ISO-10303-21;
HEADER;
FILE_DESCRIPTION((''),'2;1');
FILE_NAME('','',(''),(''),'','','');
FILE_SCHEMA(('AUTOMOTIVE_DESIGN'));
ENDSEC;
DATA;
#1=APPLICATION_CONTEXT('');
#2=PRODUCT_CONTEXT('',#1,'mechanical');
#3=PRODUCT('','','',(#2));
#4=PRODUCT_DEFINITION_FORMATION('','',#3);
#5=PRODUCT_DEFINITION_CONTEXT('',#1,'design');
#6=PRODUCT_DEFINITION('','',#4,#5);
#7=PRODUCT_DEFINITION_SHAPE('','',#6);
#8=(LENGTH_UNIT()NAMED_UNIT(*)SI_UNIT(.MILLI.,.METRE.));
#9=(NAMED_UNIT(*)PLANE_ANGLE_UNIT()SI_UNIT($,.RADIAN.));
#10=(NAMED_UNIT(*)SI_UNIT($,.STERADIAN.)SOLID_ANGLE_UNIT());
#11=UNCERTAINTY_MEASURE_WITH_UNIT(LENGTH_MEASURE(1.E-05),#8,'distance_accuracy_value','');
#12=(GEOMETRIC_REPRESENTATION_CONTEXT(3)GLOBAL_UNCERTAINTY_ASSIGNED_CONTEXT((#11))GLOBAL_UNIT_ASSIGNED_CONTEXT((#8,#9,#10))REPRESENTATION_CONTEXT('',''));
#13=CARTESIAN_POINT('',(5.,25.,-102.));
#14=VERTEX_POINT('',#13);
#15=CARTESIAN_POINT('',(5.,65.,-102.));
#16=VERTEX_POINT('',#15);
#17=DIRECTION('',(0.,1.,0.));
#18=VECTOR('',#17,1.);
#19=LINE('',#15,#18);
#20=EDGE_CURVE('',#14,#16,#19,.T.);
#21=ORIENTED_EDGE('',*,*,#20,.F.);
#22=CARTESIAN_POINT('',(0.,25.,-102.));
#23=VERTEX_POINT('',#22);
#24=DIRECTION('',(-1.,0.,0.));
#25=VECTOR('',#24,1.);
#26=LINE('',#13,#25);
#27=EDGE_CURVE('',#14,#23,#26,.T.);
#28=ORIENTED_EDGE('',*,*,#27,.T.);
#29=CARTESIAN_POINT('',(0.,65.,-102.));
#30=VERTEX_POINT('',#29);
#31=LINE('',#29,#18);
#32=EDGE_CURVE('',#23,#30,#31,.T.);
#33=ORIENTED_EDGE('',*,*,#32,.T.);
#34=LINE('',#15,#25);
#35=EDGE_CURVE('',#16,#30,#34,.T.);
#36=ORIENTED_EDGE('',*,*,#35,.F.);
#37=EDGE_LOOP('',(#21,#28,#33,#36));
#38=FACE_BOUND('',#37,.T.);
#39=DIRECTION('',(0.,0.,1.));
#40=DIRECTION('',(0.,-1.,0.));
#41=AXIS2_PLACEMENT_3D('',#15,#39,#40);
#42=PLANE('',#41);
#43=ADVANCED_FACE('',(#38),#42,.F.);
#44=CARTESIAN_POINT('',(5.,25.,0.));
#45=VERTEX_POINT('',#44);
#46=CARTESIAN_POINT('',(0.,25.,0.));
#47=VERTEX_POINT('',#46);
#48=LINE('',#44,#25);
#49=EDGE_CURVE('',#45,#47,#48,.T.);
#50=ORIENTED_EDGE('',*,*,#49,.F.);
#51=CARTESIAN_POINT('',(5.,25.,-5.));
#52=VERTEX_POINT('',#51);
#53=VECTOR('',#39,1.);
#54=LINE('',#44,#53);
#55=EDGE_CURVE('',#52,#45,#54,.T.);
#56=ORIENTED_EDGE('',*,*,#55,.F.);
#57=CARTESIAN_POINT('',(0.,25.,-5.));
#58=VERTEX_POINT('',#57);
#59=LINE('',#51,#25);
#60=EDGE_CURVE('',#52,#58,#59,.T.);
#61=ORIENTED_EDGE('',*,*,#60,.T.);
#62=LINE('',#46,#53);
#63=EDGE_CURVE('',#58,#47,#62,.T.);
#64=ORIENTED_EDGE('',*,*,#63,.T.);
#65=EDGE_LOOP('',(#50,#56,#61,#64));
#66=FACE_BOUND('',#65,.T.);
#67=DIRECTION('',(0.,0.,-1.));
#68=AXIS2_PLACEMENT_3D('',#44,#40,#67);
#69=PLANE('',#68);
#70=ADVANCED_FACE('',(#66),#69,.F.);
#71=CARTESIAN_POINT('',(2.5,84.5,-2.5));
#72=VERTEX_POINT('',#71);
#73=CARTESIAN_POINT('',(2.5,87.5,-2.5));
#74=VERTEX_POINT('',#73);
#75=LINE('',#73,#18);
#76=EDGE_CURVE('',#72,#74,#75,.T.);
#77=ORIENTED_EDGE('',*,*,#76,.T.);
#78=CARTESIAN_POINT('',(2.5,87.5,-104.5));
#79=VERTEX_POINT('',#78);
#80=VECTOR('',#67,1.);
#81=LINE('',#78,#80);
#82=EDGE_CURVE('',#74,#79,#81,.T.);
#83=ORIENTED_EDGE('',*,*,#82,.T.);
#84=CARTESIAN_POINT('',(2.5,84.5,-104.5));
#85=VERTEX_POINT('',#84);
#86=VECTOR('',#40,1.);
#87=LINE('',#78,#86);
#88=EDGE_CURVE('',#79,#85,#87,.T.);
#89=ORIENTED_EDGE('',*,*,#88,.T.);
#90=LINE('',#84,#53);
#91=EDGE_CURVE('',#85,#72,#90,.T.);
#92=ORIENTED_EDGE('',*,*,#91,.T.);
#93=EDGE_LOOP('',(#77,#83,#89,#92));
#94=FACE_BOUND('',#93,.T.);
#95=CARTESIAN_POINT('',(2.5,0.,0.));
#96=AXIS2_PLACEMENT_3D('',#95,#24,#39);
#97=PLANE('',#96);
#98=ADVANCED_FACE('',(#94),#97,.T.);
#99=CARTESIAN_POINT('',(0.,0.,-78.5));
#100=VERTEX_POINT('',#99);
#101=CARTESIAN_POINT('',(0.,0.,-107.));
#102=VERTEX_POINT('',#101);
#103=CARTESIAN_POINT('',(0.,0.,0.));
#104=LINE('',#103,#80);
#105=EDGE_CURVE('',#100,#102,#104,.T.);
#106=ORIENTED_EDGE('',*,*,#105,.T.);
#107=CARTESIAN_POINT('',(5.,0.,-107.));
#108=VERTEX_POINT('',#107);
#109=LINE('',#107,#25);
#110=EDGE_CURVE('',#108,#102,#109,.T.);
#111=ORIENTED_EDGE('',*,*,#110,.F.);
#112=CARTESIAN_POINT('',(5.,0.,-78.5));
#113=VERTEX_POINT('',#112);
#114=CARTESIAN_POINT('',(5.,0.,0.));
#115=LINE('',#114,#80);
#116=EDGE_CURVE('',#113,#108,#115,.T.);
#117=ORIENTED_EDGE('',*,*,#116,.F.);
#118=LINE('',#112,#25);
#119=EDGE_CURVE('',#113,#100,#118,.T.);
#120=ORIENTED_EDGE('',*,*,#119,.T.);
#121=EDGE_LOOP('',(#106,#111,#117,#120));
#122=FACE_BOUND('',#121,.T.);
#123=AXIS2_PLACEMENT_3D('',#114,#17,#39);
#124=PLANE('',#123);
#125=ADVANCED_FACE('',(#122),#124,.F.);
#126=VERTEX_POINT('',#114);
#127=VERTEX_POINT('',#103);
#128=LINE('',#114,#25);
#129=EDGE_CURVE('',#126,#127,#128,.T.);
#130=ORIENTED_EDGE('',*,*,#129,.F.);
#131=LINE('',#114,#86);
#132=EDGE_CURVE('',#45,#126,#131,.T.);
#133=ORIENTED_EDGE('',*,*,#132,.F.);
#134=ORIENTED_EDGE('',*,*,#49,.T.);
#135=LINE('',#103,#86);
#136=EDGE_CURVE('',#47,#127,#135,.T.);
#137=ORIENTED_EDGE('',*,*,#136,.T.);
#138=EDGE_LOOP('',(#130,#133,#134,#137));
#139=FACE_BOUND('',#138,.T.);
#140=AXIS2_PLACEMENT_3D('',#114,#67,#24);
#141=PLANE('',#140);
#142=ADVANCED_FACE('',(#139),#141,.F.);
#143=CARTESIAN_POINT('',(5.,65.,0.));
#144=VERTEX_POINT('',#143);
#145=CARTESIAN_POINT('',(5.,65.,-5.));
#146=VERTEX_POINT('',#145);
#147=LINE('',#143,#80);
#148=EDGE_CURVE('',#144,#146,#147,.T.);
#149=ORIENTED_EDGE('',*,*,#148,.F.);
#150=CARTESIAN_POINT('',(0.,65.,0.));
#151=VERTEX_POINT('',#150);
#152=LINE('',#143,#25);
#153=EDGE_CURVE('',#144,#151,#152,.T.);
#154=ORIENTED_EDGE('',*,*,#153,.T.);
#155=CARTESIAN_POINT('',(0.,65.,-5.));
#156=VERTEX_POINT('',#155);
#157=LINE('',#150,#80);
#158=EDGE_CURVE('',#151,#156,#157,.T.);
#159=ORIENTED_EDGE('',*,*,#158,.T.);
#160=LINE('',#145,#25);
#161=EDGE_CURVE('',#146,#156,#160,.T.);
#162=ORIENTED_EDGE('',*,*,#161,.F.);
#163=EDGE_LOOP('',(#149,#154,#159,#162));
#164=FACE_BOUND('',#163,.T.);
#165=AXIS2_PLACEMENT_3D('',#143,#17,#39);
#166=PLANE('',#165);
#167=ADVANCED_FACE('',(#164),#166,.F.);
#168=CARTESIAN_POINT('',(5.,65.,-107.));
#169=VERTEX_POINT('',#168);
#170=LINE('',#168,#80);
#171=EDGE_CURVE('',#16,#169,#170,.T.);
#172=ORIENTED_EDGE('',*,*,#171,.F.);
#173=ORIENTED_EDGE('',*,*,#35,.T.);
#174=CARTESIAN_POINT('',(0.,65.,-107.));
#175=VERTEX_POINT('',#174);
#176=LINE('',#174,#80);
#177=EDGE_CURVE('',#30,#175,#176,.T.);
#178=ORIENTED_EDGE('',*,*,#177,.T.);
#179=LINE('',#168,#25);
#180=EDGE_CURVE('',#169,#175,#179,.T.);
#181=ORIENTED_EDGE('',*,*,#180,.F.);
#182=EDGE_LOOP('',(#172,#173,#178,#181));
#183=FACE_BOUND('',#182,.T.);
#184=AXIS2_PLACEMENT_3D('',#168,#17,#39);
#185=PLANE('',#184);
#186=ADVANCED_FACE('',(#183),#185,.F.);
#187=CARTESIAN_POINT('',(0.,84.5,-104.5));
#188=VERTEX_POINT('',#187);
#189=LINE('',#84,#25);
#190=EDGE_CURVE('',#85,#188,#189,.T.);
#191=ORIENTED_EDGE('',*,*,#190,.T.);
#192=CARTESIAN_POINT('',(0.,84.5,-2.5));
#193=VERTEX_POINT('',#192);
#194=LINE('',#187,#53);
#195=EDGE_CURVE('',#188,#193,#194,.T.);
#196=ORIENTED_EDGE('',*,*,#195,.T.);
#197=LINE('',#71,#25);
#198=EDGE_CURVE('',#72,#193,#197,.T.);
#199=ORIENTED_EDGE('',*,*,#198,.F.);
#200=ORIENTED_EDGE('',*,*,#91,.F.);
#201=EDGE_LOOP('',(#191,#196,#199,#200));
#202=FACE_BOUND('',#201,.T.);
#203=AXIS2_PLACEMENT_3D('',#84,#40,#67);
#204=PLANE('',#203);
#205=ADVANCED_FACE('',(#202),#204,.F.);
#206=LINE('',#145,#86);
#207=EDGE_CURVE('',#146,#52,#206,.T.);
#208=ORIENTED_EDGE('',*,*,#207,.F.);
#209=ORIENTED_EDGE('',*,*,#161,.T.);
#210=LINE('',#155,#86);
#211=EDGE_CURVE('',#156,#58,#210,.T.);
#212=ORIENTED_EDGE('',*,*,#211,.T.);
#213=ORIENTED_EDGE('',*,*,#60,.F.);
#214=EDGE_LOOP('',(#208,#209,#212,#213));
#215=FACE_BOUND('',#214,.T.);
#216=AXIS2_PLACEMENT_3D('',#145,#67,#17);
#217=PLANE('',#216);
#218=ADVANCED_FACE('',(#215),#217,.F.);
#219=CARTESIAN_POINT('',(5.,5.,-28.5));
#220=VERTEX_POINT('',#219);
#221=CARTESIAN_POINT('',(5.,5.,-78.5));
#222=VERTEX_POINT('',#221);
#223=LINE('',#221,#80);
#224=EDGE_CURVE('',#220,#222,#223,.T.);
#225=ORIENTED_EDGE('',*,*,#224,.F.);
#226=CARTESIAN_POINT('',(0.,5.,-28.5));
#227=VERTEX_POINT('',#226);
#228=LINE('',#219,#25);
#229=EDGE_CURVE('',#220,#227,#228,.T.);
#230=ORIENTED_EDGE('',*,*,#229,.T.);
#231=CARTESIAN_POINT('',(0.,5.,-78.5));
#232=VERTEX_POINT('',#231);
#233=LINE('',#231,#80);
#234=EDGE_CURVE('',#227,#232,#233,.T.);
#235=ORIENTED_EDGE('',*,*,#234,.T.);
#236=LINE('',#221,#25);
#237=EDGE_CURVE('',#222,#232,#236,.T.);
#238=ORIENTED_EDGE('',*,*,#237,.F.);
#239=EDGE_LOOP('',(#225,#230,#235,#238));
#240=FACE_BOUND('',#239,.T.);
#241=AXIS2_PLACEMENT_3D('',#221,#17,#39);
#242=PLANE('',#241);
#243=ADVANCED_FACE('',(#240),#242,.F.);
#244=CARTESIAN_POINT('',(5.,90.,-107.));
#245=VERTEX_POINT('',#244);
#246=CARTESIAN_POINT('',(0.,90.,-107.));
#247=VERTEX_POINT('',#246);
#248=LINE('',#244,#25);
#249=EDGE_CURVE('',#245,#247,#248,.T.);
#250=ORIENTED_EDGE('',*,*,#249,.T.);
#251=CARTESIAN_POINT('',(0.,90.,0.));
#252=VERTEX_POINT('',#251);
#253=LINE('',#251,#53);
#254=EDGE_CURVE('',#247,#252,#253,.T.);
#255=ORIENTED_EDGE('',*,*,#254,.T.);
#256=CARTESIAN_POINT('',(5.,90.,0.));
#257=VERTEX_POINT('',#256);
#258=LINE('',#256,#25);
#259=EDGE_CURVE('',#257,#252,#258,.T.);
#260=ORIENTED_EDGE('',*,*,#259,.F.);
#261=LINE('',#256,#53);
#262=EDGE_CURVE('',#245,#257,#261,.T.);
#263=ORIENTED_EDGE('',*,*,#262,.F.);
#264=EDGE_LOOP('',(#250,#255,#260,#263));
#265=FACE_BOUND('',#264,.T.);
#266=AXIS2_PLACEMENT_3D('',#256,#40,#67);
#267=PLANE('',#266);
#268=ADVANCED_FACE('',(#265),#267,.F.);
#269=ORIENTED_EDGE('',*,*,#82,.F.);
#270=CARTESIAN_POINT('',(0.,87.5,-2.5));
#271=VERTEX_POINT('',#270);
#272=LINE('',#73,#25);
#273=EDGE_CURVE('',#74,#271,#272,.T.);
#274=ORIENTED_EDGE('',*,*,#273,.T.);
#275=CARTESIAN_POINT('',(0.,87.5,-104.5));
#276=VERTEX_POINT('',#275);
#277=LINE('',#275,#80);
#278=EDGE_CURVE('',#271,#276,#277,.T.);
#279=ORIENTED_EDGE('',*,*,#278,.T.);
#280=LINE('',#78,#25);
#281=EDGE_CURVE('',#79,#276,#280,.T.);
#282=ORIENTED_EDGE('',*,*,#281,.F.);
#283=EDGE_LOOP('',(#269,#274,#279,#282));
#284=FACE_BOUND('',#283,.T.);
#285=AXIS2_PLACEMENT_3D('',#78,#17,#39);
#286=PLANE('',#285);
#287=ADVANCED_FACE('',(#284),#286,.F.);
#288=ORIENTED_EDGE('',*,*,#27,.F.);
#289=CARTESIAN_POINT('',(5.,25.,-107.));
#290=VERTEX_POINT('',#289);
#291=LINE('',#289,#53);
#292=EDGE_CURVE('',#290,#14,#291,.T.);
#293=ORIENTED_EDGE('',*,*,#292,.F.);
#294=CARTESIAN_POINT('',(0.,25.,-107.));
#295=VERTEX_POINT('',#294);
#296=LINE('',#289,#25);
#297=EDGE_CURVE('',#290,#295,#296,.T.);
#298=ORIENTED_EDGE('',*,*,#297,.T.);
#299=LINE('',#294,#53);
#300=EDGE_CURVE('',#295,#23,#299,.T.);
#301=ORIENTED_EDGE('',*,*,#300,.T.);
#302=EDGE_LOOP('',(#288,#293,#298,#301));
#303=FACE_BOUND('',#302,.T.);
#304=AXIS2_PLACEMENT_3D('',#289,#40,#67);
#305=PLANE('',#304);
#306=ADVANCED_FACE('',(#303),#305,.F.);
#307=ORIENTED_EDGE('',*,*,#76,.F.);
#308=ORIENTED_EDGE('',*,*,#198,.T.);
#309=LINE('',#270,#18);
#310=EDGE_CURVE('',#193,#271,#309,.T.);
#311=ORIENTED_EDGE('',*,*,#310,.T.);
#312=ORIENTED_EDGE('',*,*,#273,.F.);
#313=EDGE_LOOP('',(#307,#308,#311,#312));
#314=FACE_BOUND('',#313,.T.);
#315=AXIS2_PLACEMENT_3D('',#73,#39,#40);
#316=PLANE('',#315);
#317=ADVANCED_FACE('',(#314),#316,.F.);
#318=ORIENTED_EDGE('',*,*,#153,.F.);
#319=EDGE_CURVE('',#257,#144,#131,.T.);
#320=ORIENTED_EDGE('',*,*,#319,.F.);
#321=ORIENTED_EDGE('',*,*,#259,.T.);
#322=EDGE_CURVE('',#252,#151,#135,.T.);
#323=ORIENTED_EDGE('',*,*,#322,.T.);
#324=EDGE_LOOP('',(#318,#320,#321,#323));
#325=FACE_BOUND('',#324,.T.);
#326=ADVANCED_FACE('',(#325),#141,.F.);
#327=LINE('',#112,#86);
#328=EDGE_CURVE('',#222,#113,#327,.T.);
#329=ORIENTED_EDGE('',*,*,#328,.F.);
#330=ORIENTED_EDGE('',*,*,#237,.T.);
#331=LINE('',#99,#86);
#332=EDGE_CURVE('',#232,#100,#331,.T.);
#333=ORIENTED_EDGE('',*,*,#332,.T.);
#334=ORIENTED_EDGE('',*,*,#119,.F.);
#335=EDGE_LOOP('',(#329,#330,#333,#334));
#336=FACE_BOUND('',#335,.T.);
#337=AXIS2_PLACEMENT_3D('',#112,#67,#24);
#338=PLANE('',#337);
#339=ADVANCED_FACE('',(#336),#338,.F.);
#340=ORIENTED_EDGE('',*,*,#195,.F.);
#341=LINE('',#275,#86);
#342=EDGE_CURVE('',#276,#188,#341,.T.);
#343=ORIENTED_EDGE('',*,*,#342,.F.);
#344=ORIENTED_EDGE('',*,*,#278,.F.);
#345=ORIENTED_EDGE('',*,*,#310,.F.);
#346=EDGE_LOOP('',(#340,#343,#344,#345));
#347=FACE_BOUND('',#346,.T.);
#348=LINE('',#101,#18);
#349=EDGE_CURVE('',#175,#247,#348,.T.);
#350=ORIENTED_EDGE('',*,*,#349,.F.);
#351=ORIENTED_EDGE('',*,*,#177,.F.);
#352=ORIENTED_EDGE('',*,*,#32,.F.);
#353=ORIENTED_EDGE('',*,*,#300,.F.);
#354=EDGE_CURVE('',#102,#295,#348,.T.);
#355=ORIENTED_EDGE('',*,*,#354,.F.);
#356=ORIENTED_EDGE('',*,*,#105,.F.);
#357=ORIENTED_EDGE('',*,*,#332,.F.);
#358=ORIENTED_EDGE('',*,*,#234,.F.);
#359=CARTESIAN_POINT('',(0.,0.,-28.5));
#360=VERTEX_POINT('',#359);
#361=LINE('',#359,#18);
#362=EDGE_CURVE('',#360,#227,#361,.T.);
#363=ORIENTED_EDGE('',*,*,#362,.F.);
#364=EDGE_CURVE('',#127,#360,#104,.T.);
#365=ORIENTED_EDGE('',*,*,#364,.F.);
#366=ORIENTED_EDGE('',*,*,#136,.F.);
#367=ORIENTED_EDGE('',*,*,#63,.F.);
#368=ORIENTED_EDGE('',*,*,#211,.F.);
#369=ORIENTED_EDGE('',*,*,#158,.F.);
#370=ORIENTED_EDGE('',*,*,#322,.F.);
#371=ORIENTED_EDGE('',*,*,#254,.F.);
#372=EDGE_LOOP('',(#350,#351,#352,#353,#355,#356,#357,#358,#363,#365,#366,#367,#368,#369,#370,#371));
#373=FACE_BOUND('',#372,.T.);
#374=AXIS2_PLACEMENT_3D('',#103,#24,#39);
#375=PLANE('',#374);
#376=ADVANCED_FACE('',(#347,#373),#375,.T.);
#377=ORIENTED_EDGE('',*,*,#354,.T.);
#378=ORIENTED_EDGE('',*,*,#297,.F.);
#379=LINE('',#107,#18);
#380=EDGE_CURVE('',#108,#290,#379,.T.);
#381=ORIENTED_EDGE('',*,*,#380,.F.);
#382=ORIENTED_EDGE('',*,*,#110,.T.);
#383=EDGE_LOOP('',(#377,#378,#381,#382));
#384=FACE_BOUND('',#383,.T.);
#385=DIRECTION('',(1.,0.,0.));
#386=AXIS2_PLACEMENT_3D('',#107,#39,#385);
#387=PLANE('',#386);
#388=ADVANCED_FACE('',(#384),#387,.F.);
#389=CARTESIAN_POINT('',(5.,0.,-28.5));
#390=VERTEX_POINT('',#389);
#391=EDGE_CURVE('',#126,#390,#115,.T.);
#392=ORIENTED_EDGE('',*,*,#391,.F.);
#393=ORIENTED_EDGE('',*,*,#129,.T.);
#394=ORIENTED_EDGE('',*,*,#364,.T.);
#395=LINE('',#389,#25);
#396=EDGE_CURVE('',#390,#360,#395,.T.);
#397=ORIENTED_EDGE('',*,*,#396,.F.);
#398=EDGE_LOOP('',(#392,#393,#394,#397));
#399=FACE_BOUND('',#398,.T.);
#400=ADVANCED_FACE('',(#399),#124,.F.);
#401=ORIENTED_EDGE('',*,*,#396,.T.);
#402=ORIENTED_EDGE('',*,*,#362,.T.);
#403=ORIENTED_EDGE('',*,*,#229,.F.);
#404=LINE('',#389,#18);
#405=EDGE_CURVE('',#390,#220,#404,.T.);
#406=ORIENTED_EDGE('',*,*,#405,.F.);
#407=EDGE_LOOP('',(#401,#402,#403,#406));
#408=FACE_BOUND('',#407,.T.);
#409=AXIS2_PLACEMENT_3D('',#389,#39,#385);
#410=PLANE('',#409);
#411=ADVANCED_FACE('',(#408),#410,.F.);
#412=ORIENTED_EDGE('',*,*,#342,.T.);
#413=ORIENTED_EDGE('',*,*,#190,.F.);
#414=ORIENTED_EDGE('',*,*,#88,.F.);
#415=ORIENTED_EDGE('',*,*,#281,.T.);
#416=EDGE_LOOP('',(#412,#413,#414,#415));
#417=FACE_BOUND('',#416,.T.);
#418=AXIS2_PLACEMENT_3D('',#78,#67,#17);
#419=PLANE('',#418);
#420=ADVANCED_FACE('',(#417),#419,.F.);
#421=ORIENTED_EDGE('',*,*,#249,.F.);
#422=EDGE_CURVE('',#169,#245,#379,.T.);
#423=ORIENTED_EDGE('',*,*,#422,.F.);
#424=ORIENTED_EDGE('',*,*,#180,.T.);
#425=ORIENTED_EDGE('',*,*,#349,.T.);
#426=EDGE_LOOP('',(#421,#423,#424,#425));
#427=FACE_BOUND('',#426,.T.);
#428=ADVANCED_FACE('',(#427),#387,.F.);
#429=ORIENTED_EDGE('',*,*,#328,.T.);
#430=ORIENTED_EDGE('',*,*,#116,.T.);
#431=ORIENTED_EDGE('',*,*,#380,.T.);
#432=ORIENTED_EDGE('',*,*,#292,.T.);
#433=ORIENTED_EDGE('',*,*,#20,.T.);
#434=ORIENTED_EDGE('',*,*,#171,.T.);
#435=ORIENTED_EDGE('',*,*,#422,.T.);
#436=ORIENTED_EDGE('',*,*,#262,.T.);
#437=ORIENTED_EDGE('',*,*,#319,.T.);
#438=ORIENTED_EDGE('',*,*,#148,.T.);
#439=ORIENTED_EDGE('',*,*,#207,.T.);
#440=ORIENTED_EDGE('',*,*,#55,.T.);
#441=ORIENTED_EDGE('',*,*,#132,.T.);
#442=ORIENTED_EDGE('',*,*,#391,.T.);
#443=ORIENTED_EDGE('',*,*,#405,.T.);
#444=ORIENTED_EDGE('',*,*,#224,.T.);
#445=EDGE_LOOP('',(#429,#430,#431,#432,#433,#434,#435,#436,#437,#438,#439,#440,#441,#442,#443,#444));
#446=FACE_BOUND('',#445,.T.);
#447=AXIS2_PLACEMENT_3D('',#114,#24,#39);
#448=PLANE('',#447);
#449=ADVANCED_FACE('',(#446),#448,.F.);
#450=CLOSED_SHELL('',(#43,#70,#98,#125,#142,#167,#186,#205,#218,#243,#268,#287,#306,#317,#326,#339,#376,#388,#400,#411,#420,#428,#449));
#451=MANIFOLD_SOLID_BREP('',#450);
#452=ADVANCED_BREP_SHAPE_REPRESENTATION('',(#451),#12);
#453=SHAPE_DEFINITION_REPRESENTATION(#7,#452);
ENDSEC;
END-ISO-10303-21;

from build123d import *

# Parameters (mm, degrees)
SKETCH1_W           = 107
SKETCH1_H           = 90
BOSS_EXTRUDE1_DEPTH = 5
SKETCH5_W           = 5
SKETCH5_H           = 40
SKETCH5_W_2         = 50
SKETCH5_H_2         = 5
CUT_EXTRUDE2_DEPTH  = 140.907112042
SKETCH6_W           = 102
SKETCH6_H           = 3
CUT_EXTRUDE3_DEPTH  = 2.5


with BuildPart() as part:
    # Sketch1 → Boss-Extrude1 (new body)
    with BuildSketch(Plane(origin=(0, 0, 0), x_dir=(0, 0, -1), z_dir=(1, 0, 0))):
        with Locations((53.5, 45)):
            Rectangle(SKETCH1_W, SKETCH1_H)
    extrude(amount=BOSS_EXTRUDE1_DEPTH)

    # Sketch5 → Cut-Extrude2 (cut, through all)
    with BuildSketch(Plane.ZY):
        with Locations((-104.5, 45)):
            Rectangle(SKETCH5_W, SKETCH5_H)
        with Locations((-2.5, 45)):
            Rectangle(SKETCH5_W, SKETCH5_H)
        with Locations((-53.5, 2.5)):
            Rectangle(SKETCH5_W_2, SKETCH5_H_2)
    extrude(amount=-CUT_EXTRUDE2_DEPTH, mode=Mode.SUBTRACT)

    # Sketch6 → Cut-Extrude3 (cut)
    with BuildSketch(Plane.ZY):
        with Locations((-53.5, 86)):
            Rectangle(SKETCH6_W, SKETCH6_H)
    extrude(amount=-CUT_EXTRUDE3_DEPTH, mode=Mode.SUBTRACT)


solid = part.part
